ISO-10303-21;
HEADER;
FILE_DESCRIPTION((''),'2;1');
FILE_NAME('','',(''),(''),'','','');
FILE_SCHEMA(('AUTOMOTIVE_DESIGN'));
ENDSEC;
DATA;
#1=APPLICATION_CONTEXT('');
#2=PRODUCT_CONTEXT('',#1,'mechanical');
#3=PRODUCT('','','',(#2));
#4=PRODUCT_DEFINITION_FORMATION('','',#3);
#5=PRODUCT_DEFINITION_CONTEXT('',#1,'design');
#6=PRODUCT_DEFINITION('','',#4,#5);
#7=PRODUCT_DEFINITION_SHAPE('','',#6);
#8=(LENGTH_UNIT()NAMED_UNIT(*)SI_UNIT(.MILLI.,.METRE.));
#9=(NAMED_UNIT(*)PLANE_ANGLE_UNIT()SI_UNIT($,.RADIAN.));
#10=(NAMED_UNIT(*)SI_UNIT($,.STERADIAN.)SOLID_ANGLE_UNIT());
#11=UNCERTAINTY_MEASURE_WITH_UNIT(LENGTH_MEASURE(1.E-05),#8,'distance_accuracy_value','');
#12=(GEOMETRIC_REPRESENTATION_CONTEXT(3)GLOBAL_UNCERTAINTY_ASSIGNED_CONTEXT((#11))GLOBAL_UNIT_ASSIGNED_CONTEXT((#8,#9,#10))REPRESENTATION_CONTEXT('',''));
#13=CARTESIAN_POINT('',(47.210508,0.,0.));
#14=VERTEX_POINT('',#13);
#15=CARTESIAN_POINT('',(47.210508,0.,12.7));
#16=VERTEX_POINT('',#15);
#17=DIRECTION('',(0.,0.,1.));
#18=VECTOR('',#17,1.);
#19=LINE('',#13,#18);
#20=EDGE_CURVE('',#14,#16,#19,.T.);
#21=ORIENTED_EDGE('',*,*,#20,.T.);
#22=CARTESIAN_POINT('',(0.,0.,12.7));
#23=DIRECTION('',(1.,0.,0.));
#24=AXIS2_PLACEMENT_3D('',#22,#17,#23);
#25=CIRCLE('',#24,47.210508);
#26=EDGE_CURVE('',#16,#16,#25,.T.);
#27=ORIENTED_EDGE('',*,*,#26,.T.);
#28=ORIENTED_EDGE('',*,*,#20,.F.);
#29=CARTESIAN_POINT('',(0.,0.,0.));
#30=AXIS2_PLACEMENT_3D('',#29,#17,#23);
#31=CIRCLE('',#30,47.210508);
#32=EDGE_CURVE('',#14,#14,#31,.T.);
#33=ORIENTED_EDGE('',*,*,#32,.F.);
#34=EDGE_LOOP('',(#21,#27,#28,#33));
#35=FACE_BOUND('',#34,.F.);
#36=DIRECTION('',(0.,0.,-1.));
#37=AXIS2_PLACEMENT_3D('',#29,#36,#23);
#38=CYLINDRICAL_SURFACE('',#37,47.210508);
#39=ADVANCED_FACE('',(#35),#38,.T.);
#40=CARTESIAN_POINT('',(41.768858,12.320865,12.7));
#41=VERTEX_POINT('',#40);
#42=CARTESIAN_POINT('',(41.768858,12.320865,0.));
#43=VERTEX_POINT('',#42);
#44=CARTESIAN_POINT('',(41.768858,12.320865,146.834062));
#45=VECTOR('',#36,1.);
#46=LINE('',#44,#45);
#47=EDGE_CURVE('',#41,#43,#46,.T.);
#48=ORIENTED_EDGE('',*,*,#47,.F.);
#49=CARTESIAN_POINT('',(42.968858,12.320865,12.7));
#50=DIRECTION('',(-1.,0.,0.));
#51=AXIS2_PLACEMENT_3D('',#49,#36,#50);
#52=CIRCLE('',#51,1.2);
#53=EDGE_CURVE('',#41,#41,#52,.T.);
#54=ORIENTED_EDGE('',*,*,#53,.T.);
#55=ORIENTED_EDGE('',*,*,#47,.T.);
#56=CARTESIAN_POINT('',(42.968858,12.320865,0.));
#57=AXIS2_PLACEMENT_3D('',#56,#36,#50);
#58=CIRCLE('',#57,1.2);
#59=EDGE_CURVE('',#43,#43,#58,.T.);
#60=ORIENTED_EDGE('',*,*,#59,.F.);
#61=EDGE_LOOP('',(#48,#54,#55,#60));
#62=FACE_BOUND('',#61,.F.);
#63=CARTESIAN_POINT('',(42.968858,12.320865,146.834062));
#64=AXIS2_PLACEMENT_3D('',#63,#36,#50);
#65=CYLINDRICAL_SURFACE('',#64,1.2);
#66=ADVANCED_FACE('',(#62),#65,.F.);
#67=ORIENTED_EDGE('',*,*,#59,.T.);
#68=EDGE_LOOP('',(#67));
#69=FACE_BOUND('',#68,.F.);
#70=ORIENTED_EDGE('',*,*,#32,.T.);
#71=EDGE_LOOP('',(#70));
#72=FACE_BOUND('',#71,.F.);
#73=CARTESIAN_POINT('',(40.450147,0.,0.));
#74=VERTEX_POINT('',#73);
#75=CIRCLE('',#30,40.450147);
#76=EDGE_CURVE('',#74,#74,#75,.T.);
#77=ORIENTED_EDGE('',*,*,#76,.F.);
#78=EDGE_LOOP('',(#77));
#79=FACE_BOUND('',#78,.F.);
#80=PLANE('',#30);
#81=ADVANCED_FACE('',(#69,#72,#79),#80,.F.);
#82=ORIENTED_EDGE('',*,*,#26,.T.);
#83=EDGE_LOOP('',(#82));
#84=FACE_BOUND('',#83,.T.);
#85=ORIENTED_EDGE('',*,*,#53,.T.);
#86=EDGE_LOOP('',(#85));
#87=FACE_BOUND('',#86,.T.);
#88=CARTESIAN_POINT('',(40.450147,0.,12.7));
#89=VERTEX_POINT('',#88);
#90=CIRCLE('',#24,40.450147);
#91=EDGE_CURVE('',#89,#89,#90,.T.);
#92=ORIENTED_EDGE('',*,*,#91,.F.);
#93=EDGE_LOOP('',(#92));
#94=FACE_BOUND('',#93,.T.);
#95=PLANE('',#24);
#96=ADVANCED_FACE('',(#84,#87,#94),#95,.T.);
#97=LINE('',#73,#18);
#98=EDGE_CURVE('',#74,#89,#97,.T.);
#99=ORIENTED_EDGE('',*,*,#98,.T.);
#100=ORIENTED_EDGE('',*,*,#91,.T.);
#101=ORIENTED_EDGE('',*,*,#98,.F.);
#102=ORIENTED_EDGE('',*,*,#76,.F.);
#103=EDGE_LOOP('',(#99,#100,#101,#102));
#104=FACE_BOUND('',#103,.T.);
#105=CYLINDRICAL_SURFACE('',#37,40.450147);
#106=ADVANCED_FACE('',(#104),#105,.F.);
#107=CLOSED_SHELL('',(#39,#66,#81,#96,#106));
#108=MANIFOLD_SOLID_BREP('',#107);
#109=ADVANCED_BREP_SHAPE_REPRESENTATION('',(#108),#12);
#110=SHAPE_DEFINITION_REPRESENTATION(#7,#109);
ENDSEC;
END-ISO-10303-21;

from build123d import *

# Parameters (mm, degrees)
F0_R     = 47.2105080962
F0_R_2   = 40.4501471724
F1_DEPTH = 25.4
F2_DEPTH = 12.7
F4_D     = 2.4


with BuildPart() as f1:
    # F0 (on Top) → F1 (new body)
    with BuildSketch(Plane.XY):
        Circle(F0_R)
        Circle(F0_R_2, mode=Mode.SUBTRACT)
    extrude(amount=F1_DEPTH)

    # F2 (cut): a face of the model
    f2_faces = [f1.faces().sort_by_distance(p)[0] for p in [
        (-45.8751932795, 0, 25.4),
    ]]
    extrude(f2_faces, amount=-F2_DEPTH, mode=Mode.SUBTRACT)

    # F4 (through all)
    with Locations(Plane.XY.offset(12.7)):
        with Locations((42.9688580334, 12.3208649457)):
            Hole(F4_D / 2)


solid = f1.part
